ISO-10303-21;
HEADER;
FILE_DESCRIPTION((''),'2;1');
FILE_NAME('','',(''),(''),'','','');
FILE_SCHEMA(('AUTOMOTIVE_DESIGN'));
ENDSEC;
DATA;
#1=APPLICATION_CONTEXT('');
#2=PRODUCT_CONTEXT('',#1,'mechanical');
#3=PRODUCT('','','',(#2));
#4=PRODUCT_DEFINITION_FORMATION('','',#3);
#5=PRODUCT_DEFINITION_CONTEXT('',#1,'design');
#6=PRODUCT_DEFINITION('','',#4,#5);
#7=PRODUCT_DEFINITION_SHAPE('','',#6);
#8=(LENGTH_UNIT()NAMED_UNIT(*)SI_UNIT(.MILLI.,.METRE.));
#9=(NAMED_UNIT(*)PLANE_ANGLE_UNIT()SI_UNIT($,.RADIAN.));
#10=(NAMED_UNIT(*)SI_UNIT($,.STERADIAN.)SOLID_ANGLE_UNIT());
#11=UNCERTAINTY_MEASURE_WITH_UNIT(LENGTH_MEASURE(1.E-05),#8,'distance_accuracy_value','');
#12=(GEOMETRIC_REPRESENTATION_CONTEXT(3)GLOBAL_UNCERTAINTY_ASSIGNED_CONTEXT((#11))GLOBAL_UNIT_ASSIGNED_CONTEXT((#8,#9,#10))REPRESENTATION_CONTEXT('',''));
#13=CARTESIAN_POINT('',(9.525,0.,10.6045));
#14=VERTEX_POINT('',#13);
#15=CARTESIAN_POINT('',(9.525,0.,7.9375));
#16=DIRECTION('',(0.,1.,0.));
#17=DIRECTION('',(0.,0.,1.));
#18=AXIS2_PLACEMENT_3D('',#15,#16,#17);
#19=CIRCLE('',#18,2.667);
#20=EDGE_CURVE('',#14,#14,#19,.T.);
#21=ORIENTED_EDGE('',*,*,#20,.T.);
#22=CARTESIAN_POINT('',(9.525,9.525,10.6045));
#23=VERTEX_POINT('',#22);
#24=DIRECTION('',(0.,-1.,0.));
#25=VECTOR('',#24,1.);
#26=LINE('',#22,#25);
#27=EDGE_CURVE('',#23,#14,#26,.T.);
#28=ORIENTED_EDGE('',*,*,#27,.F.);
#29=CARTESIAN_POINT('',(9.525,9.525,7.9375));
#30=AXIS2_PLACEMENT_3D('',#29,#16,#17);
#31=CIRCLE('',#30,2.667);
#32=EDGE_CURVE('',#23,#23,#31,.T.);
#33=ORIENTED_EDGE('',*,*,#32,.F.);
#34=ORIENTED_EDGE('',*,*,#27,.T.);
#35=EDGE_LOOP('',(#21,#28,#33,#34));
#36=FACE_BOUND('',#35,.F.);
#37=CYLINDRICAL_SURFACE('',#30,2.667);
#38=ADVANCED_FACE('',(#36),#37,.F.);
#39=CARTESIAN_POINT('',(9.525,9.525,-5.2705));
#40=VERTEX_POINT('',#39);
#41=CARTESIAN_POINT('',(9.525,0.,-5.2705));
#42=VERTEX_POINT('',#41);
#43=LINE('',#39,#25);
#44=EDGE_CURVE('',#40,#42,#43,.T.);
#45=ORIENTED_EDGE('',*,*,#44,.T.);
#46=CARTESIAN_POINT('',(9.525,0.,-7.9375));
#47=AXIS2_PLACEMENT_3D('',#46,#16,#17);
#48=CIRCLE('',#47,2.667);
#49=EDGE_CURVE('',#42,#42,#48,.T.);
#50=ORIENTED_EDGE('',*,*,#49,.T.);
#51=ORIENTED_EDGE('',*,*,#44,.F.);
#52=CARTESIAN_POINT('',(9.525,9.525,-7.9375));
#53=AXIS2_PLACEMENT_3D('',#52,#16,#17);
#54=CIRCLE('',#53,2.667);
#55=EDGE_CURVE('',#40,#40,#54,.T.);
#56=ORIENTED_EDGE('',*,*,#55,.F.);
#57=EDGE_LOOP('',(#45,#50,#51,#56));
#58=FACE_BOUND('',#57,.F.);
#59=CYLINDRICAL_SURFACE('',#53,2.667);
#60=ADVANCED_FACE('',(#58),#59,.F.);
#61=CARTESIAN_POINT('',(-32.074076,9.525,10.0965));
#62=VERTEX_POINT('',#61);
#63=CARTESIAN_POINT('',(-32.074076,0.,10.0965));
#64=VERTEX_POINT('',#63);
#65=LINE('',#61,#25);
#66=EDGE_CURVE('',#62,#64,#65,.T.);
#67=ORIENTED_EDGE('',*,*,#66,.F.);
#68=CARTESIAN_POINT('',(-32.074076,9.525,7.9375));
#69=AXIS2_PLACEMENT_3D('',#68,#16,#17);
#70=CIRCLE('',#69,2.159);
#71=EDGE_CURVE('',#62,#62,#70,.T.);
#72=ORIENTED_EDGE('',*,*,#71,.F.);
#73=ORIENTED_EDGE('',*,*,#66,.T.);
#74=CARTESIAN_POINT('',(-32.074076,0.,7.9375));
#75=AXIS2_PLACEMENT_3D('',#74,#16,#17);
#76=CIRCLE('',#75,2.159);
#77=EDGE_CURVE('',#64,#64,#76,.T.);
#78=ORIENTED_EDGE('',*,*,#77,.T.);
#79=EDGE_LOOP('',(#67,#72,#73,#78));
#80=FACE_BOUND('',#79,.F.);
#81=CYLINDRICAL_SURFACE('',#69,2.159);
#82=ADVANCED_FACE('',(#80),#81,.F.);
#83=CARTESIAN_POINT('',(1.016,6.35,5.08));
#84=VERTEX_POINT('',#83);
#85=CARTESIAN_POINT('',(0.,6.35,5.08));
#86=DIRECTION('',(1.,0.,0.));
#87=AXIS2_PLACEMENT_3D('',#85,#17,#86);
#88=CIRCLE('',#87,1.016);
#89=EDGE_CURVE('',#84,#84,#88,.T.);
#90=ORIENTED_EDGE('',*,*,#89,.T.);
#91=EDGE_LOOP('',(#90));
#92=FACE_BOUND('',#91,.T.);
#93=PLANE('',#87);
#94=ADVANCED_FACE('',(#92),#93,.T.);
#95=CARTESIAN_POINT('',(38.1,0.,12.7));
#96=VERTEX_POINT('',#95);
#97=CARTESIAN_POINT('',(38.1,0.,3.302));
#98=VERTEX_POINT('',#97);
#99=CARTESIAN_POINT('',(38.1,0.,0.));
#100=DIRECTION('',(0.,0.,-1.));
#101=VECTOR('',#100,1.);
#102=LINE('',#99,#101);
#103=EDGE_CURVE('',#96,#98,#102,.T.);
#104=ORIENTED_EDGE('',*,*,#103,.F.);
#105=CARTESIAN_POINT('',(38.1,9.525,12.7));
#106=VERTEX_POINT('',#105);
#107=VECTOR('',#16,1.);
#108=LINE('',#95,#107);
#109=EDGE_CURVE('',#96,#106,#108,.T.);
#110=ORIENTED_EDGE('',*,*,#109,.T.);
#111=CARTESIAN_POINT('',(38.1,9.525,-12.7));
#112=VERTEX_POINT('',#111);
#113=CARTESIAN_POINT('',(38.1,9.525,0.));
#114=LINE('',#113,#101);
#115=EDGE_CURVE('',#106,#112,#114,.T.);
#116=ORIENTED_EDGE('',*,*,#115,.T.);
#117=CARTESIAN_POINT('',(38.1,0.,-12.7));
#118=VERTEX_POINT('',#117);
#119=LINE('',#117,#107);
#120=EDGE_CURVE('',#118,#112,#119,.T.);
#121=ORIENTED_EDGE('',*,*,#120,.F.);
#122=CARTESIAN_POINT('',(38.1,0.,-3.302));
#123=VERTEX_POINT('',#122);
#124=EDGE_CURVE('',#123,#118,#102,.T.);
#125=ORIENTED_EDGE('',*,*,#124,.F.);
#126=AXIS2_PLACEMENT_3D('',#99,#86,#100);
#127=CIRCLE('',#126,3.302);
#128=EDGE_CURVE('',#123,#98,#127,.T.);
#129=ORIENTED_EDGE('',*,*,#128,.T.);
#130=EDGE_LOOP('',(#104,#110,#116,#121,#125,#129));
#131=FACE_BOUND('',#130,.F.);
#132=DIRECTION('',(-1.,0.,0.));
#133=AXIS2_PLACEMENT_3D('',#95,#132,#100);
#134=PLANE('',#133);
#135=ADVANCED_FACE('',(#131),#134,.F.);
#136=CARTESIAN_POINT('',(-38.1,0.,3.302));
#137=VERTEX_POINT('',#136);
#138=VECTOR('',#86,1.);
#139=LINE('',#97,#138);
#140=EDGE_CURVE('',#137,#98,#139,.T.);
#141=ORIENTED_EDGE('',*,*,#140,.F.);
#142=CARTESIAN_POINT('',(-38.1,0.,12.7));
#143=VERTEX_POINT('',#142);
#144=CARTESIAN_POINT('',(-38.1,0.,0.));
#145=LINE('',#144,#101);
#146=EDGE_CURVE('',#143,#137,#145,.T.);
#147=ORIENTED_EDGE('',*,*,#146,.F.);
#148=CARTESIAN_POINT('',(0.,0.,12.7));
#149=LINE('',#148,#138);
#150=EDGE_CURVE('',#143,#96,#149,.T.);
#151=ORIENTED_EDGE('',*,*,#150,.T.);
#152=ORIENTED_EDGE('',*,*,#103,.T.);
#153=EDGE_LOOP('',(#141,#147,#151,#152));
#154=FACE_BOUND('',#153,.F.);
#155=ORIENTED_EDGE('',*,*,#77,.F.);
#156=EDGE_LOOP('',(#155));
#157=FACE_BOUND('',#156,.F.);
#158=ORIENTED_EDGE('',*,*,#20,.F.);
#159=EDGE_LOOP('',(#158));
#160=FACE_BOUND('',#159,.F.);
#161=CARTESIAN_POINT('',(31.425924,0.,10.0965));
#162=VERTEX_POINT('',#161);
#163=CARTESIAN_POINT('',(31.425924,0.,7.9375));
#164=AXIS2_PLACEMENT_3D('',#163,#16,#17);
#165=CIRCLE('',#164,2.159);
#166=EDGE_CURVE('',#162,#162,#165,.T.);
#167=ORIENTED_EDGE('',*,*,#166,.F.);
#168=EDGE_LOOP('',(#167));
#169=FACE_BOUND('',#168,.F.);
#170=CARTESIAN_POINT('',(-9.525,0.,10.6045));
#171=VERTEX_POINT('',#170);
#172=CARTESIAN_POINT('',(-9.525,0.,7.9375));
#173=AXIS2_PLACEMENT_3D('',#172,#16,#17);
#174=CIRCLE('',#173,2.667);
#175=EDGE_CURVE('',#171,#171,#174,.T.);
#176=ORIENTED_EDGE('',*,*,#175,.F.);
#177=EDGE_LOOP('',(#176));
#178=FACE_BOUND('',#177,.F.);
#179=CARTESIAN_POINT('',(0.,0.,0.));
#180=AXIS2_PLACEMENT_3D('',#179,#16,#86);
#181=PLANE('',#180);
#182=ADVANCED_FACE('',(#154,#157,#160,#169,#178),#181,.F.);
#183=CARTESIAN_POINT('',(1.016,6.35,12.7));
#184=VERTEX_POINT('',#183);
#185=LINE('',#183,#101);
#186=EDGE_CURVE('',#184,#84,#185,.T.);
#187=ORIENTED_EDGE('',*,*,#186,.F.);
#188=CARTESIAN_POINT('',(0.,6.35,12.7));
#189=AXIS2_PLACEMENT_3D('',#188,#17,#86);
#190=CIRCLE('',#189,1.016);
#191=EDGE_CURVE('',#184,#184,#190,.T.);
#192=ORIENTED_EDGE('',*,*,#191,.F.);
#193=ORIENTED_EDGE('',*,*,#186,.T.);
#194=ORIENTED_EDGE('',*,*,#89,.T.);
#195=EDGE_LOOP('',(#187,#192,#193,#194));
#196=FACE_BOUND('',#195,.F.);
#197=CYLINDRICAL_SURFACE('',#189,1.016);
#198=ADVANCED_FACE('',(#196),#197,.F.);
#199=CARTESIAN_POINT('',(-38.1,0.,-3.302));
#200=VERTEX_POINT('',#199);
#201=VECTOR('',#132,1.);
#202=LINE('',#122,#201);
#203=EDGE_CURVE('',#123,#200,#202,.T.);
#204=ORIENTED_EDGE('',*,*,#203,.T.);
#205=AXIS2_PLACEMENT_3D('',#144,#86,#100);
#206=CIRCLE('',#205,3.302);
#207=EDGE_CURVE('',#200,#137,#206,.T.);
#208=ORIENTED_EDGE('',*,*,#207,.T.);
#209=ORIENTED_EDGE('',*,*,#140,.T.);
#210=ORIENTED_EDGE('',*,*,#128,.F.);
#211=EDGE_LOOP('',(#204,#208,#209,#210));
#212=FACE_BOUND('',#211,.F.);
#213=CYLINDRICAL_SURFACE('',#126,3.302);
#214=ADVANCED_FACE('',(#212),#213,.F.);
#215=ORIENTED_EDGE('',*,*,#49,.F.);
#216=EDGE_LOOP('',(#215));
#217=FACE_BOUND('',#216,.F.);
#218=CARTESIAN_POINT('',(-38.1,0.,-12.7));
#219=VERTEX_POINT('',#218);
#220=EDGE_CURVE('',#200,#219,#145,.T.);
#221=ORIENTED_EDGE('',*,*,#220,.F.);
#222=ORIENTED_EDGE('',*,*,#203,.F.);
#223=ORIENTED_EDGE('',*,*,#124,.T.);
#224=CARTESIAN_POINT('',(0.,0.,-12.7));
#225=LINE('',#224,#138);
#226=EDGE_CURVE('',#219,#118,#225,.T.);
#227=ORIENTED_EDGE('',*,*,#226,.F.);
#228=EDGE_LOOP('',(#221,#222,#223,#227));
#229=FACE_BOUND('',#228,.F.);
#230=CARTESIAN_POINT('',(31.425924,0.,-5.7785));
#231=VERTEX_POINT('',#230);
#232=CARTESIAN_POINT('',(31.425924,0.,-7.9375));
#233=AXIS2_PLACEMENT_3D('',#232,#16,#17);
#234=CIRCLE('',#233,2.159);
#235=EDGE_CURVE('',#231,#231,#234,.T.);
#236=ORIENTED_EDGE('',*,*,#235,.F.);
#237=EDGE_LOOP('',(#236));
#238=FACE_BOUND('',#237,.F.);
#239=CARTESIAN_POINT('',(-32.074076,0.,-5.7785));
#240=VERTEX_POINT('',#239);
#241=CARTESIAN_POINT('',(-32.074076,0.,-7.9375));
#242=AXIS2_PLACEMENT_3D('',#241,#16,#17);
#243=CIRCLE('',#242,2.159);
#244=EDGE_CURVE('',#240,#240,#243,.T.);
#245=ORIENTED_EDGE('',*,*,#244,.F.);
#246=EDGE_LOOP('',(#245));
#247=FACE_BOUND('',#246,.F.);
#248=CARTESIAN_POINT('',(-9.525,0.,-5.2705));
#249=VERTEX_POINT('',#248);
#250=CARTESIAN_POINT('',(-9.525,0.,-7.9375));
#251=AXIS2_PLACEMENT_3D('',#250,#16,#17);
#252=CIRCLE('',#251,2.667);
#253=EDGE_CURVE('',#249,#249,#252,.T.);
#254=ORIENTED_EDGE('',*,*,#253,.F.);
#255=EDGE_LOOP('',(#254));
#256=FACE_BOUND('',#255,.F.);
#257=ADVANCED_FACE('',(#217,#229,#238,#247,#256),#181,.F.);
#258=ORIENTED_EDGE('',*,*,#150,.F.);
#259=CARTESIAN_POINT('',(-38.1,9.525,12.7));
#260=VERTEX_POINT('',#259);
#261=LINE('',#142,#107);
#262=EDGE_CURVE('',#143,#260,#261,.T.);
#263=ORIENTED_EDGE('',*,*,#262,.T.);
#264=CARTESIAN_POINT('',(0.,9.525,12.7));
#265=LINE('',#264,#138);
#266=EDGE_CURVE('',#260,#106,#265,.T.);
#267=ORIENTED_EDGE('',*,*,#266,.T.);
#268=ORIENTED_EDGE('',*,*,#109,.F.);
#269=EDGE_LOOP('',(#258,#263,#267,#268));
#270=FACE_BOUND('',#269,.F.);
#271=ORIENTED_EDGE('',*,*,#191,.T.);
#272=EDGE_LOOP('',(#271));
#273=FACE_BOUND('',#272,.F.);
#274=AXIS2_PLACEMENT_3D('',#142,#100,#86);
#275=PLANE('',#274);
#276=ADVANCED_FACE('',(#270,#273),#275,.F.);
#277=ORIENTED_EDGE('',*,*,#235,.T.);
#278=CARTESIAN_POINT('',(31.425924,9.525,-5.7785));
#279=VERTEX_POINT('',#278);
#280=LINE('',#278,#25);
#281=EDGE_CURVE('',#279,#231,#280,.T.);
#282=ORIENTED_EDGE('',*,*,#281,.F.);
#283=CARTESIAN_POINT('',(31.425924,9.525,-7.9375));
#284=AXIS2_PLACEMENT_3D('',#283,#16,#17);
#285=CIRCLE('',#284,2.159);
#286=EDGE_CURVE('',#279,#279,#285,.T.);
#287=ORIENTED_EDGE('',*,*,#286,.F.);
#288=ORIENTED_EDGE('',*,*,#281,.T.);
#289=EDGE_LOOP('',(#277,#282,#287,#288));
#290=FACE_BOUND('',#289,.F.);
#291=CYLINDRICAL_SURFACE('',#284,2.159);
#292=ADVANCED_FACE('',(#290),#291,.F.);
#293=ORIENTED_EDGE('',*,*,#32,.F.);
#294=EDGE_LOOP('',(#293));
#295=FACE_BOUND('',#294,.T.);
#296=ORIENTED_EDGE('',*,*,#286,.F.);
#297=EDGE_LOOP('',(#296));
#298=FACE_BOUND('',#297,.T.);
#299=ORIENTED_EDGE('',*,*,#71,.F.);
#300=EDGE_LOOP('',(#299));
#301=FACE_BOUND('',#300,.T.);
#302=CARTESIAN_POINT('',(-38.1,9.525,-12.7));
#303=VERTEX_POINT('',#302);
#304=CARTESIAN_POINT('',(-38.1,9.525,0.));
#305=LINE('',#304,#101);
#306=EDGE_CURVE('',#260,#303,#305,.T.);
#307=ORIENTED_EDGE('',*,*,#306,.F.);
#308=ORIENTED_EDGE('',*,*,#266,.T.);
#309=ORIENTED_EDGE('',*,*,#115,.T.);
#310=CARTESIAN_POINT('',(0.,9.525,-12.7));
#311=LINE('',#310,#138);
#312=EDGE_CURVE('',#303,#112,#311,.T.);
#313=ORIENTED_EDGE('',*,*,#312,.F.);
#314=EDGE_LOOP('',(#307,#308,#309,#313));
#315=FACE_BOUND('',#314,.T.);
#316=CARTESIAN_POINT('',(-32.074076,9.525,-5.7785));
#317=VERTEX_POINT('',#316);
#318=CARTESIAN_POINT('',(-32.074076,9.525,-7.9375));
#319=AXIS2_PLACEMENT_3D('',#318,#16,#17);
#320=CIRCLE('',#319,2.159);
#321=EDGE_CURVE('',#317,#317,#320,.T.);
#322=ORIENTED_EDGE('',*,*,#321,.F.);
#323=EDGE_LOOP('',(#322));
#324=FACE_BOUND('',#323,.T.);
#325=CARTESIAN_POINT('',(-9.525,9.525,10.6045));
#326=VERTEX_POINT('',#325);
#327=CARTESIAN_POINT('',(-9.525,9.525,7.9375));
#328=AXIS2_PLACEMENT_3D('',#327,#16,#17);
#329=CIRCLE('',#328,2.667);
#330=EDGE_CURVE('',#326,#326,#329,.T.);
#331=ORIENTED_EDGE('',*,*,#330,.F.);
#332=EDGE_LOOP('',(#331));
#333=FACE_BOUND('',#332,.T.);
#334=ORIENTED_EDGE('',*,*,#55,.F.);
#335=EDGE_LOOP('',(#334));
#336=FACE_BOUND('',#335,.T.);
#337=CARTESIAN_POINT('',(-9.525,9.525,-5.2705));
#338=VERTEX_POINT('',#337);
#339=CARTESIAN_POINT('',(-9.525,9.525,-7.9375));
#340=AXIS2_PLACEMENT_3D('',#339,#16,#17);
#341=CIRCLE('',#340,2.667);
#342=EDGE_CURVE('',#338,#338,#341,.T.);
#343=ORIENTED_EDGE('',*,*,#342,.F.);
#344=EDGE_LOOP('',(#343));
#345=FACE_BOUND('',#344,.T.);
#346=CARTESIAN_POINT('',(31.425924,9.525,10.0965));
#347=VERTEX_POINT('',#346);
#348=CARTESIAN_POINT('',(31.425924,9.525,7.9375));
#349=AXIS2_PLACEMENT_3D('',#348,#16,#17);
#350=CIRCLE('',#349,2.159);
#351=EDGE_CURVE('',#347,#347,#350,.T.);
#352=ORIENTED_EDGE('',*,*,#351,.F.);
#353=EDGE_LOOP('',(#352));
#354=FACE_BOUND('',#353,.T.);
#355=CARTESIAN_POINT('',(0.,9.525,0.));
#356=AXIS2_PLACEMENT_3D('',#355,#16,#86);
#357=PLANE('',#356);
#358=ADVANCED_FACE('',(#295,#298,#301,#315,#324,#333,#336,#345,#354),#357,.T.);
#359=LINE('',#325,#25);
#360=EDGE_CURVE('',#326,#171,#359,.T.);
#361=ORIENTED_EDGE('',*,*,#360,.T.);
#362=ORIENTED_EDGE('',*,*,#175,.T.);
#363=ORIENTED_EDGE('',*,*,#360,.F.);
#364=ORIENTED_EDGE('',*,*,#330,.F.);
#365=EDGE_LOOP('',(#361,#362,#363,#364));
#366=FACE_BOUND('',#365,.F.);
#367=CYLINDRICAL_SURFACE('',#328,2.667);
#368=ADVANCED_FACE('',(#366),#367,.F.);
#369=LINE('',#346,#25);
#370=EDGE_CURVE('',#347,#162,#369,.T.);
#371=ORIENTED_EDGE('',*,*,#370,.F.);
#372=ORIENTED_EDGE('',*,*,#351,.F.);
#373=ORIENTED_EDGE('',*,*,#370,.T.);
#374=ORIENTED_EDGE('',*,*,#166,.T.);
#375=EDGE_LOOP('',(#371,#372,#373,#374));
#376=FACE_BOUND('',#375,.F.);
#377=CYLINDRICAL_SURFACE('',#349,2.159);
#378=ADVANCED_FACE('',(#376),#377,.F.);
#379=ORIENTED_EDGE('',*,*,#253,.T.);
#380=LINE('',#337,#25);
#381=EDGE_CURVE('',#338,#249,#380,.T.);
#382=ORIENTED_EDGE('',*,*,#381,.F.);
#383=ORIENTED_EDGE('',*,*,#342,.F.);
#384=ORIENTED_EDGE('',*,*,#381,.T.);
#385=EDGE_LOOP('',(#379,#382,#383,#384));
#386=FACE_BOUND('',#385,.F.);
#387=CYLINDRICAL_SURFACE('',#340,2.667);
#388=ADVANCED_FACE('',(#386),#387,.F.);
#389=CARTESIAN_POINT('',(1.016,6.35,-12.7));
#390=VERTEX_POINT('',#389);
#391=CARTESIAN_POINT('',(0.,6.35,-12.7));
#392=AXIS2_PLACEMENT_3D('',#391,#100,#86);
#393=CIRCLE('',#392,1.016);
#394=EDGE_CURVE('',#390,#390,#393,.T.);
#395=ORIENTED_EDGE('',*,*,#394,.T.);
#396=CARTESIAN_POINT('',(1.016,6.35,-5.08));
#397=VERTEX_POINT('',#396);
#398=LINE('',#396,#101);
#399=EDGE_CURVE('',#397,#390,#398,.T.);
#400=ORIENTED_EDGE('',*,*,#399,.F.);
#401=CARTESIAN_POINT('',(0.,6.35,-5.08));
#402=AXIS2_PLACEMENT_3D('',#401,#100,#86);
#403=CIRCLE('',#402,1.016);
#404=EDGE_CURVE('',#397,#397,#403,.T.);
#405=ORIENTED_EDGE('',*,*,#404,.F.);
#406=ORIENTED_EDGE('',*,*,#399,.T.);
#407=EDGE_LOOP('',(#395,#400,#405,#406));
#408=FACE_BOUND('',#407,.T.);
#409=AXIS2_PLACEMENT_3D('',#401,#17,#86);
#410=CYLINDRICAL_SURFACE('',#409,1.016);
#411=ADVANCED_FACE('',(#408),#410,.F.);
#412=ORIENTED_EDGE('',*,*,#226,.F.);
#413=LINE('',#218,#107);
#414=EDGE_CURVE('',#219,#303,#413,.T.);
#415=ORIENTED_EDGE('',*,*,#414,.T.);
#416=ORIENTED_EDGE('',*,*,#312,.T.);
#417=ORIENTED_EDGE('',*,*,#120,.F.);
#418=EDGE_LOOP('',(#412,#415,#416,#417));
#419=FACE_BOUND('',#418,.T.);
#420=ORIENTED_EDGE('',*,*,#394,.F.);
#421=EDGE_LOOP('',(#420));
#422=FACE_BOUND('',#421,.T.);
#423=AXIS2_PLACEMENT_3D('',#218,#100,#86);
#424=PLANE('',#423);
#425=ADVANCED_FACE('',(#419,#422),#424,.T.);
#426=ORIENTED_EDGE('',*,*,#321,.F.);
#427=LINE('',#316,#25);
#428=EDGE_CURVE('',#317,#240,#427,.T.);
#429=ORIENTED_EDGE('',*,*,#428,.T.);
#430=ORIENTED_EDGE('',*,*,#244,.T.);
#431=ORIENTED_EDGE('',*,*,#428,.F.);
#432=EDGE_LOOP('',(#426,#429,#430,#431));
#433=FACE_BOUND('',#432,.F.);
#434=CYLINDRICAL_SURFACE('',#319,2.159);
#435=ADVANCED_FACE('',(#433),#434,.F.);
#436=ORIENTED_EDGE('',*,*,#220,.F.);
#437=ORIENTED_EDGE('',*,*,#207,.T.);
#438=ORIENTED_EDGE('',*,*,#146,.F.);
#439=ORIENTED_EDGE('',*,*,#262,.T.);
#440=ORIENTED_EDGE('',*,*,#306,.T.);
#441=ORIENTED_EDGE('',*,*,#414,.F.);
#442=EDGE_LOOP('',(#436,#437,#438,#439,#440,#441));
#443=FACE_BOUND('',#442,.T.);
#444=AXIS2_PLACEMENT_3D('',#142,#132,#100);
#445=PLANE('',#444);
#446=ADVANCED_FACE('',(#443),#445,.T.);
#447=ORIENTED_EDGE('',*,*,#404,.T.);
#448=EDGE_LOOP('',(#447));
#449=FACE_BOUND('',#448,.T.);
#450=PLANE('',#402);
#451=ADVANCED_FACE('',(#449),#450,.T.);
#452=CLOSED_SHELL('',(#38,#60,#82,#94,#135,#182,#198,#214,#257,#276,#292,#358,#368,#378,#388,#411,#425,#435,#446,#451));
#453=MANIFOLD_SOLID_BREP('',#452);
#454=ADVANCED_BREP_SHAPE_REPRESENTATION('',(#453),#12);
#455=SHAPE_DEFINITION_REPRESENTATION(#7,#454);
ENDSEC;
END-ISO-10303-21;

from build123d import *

# Parameters (mm, degrees)
SKETCH1_W           = 76.2
SKETCH1_H           = 25.4
BOSS_EXTRUDE1_DEPTH = 9.525
SKETCH2_R           = 2.159
CUT_EXTRUDE1_DEPTH  = 42.275
SKETCH3_R           = 2.667
CUT_EXTRUDE2_DEPTH  = 42.275
SKETCH4_R           = 1.016
CUT_EXTRUDE3_DEPTH  = 7.62
CUT_EXTRUDE4_START  = -7.62
SKETCH5_R           = 1.016
CUT_EXTRUDE4_DEPTH  = 7.62
SKETCH7_R           = 3.302
CUT_EXTRUDE5_DEPTH  = 78.836081768


with BuildPart() as part:
    # Sketch1 → Boss-Extrude1 (new body)
    with BuildSketch(Plane(origin=(0, 0, 0), x_dir=(1, 0, 0), z_dir=(0, 1, 0))):
        Rectangle(SKETCH1_W, SKETCH1_H)
    extrude(amount=BOSS_EXTRUDE1_DEPTH)

    # Sketch2 → Cut-Extrude1 (cut, through all)
    with BuildSketch(Plane(origin=(0, 9.525, 0), x_dir=(1, 0, 0), z_dir=(0, 1, 0))):
        with Locations(Location((-32.074075882, 7.9375, 0), (0, 0, 270))):
            Circle(SKETCH2_R)
        with Locations(Location((-32.074075882, -7.9375, 0), (0, 0, 270))):
            Circle(SKETCH2_R)
        with Locations(Location((31.425924118, 7.9375, 0), (0, 0, 270))):
            Circle(SKETCH2_R)
        with Locations(Location((31.425924118, -7.9375, 0), (0, 0, 270))):
            Circle(SKETCH2_R)
    extrude(amount=-CUT_EXTRUDE1_DEPTH, mode=Mode.SUBTRACT)

    # Sketch3 → Cut-Extrude2 (cut, through all)
    with BuildSketch(Plane(origin=(0, 9.525, 0), x_dir=(1, 0, 0), z_dir=(0, 1, 0))):
        with Locations(Location((-9.525, 7.9375, 0), (0, 0, 270))):
            Circle(SKETCH3_R)
        with Locations(Location((-9.525, -7.9375, 0), (0, 0, 270))):
            Circle(SKETCH3_R)
        with Locations(Location((9.525, 7.9375, 0), (0, 0, 270))):
            Circle(SKETCH3_R)
        with Locations(Location((9.525, -7.9375, 0), (0, 0, 270))):
            Circle(SKETCH3_R)
    extrude(amount=-CUT_EXTRUDE2_DEPTH, mode=Mode.SUBTRACT)

    # Sketch4 → Cut-Extrude3 (cut)
    with BuildSketch(Plane.XY.offset(12.7)):
        with Locations((0, 6.35)):
            Circle(SKETCH4_R)
    extrude(amount=-CUT_EXTRUDE3_DEPTH, mode=Mode.SUBTRACT)

    # Sketch5 → Cut-Extrude4 (cut)
    with BuildSketch(Plane(origin=(0, 0, -12.7), x_dir=(-1, 0, 0), z_dir=(0, 0, -1)).offset(CUT_EXTRUDE4_START)):
        with Locations(Location((0, 6.35, 0), (0, 0, 180))):
            Circle(SKETCH5_R)
    extrude(amount=CUT_EXTRUDE4_DEPTH, mode=Mode.SUBTRACT)

    # Sketch7 → Cut-Extrude5 (cut, through all)
    with BuildSketch(Plane(origin=(38.1, 0, 0), x_dir=(0, 0, -1), z_dir=(1, 0, 0))):
        Circle(SKETCH7_R)
    extrude(amount=-CUT_EXTRUDE5_DEPTH, mode=Mode.SUBTRACT)


solid = part.part
